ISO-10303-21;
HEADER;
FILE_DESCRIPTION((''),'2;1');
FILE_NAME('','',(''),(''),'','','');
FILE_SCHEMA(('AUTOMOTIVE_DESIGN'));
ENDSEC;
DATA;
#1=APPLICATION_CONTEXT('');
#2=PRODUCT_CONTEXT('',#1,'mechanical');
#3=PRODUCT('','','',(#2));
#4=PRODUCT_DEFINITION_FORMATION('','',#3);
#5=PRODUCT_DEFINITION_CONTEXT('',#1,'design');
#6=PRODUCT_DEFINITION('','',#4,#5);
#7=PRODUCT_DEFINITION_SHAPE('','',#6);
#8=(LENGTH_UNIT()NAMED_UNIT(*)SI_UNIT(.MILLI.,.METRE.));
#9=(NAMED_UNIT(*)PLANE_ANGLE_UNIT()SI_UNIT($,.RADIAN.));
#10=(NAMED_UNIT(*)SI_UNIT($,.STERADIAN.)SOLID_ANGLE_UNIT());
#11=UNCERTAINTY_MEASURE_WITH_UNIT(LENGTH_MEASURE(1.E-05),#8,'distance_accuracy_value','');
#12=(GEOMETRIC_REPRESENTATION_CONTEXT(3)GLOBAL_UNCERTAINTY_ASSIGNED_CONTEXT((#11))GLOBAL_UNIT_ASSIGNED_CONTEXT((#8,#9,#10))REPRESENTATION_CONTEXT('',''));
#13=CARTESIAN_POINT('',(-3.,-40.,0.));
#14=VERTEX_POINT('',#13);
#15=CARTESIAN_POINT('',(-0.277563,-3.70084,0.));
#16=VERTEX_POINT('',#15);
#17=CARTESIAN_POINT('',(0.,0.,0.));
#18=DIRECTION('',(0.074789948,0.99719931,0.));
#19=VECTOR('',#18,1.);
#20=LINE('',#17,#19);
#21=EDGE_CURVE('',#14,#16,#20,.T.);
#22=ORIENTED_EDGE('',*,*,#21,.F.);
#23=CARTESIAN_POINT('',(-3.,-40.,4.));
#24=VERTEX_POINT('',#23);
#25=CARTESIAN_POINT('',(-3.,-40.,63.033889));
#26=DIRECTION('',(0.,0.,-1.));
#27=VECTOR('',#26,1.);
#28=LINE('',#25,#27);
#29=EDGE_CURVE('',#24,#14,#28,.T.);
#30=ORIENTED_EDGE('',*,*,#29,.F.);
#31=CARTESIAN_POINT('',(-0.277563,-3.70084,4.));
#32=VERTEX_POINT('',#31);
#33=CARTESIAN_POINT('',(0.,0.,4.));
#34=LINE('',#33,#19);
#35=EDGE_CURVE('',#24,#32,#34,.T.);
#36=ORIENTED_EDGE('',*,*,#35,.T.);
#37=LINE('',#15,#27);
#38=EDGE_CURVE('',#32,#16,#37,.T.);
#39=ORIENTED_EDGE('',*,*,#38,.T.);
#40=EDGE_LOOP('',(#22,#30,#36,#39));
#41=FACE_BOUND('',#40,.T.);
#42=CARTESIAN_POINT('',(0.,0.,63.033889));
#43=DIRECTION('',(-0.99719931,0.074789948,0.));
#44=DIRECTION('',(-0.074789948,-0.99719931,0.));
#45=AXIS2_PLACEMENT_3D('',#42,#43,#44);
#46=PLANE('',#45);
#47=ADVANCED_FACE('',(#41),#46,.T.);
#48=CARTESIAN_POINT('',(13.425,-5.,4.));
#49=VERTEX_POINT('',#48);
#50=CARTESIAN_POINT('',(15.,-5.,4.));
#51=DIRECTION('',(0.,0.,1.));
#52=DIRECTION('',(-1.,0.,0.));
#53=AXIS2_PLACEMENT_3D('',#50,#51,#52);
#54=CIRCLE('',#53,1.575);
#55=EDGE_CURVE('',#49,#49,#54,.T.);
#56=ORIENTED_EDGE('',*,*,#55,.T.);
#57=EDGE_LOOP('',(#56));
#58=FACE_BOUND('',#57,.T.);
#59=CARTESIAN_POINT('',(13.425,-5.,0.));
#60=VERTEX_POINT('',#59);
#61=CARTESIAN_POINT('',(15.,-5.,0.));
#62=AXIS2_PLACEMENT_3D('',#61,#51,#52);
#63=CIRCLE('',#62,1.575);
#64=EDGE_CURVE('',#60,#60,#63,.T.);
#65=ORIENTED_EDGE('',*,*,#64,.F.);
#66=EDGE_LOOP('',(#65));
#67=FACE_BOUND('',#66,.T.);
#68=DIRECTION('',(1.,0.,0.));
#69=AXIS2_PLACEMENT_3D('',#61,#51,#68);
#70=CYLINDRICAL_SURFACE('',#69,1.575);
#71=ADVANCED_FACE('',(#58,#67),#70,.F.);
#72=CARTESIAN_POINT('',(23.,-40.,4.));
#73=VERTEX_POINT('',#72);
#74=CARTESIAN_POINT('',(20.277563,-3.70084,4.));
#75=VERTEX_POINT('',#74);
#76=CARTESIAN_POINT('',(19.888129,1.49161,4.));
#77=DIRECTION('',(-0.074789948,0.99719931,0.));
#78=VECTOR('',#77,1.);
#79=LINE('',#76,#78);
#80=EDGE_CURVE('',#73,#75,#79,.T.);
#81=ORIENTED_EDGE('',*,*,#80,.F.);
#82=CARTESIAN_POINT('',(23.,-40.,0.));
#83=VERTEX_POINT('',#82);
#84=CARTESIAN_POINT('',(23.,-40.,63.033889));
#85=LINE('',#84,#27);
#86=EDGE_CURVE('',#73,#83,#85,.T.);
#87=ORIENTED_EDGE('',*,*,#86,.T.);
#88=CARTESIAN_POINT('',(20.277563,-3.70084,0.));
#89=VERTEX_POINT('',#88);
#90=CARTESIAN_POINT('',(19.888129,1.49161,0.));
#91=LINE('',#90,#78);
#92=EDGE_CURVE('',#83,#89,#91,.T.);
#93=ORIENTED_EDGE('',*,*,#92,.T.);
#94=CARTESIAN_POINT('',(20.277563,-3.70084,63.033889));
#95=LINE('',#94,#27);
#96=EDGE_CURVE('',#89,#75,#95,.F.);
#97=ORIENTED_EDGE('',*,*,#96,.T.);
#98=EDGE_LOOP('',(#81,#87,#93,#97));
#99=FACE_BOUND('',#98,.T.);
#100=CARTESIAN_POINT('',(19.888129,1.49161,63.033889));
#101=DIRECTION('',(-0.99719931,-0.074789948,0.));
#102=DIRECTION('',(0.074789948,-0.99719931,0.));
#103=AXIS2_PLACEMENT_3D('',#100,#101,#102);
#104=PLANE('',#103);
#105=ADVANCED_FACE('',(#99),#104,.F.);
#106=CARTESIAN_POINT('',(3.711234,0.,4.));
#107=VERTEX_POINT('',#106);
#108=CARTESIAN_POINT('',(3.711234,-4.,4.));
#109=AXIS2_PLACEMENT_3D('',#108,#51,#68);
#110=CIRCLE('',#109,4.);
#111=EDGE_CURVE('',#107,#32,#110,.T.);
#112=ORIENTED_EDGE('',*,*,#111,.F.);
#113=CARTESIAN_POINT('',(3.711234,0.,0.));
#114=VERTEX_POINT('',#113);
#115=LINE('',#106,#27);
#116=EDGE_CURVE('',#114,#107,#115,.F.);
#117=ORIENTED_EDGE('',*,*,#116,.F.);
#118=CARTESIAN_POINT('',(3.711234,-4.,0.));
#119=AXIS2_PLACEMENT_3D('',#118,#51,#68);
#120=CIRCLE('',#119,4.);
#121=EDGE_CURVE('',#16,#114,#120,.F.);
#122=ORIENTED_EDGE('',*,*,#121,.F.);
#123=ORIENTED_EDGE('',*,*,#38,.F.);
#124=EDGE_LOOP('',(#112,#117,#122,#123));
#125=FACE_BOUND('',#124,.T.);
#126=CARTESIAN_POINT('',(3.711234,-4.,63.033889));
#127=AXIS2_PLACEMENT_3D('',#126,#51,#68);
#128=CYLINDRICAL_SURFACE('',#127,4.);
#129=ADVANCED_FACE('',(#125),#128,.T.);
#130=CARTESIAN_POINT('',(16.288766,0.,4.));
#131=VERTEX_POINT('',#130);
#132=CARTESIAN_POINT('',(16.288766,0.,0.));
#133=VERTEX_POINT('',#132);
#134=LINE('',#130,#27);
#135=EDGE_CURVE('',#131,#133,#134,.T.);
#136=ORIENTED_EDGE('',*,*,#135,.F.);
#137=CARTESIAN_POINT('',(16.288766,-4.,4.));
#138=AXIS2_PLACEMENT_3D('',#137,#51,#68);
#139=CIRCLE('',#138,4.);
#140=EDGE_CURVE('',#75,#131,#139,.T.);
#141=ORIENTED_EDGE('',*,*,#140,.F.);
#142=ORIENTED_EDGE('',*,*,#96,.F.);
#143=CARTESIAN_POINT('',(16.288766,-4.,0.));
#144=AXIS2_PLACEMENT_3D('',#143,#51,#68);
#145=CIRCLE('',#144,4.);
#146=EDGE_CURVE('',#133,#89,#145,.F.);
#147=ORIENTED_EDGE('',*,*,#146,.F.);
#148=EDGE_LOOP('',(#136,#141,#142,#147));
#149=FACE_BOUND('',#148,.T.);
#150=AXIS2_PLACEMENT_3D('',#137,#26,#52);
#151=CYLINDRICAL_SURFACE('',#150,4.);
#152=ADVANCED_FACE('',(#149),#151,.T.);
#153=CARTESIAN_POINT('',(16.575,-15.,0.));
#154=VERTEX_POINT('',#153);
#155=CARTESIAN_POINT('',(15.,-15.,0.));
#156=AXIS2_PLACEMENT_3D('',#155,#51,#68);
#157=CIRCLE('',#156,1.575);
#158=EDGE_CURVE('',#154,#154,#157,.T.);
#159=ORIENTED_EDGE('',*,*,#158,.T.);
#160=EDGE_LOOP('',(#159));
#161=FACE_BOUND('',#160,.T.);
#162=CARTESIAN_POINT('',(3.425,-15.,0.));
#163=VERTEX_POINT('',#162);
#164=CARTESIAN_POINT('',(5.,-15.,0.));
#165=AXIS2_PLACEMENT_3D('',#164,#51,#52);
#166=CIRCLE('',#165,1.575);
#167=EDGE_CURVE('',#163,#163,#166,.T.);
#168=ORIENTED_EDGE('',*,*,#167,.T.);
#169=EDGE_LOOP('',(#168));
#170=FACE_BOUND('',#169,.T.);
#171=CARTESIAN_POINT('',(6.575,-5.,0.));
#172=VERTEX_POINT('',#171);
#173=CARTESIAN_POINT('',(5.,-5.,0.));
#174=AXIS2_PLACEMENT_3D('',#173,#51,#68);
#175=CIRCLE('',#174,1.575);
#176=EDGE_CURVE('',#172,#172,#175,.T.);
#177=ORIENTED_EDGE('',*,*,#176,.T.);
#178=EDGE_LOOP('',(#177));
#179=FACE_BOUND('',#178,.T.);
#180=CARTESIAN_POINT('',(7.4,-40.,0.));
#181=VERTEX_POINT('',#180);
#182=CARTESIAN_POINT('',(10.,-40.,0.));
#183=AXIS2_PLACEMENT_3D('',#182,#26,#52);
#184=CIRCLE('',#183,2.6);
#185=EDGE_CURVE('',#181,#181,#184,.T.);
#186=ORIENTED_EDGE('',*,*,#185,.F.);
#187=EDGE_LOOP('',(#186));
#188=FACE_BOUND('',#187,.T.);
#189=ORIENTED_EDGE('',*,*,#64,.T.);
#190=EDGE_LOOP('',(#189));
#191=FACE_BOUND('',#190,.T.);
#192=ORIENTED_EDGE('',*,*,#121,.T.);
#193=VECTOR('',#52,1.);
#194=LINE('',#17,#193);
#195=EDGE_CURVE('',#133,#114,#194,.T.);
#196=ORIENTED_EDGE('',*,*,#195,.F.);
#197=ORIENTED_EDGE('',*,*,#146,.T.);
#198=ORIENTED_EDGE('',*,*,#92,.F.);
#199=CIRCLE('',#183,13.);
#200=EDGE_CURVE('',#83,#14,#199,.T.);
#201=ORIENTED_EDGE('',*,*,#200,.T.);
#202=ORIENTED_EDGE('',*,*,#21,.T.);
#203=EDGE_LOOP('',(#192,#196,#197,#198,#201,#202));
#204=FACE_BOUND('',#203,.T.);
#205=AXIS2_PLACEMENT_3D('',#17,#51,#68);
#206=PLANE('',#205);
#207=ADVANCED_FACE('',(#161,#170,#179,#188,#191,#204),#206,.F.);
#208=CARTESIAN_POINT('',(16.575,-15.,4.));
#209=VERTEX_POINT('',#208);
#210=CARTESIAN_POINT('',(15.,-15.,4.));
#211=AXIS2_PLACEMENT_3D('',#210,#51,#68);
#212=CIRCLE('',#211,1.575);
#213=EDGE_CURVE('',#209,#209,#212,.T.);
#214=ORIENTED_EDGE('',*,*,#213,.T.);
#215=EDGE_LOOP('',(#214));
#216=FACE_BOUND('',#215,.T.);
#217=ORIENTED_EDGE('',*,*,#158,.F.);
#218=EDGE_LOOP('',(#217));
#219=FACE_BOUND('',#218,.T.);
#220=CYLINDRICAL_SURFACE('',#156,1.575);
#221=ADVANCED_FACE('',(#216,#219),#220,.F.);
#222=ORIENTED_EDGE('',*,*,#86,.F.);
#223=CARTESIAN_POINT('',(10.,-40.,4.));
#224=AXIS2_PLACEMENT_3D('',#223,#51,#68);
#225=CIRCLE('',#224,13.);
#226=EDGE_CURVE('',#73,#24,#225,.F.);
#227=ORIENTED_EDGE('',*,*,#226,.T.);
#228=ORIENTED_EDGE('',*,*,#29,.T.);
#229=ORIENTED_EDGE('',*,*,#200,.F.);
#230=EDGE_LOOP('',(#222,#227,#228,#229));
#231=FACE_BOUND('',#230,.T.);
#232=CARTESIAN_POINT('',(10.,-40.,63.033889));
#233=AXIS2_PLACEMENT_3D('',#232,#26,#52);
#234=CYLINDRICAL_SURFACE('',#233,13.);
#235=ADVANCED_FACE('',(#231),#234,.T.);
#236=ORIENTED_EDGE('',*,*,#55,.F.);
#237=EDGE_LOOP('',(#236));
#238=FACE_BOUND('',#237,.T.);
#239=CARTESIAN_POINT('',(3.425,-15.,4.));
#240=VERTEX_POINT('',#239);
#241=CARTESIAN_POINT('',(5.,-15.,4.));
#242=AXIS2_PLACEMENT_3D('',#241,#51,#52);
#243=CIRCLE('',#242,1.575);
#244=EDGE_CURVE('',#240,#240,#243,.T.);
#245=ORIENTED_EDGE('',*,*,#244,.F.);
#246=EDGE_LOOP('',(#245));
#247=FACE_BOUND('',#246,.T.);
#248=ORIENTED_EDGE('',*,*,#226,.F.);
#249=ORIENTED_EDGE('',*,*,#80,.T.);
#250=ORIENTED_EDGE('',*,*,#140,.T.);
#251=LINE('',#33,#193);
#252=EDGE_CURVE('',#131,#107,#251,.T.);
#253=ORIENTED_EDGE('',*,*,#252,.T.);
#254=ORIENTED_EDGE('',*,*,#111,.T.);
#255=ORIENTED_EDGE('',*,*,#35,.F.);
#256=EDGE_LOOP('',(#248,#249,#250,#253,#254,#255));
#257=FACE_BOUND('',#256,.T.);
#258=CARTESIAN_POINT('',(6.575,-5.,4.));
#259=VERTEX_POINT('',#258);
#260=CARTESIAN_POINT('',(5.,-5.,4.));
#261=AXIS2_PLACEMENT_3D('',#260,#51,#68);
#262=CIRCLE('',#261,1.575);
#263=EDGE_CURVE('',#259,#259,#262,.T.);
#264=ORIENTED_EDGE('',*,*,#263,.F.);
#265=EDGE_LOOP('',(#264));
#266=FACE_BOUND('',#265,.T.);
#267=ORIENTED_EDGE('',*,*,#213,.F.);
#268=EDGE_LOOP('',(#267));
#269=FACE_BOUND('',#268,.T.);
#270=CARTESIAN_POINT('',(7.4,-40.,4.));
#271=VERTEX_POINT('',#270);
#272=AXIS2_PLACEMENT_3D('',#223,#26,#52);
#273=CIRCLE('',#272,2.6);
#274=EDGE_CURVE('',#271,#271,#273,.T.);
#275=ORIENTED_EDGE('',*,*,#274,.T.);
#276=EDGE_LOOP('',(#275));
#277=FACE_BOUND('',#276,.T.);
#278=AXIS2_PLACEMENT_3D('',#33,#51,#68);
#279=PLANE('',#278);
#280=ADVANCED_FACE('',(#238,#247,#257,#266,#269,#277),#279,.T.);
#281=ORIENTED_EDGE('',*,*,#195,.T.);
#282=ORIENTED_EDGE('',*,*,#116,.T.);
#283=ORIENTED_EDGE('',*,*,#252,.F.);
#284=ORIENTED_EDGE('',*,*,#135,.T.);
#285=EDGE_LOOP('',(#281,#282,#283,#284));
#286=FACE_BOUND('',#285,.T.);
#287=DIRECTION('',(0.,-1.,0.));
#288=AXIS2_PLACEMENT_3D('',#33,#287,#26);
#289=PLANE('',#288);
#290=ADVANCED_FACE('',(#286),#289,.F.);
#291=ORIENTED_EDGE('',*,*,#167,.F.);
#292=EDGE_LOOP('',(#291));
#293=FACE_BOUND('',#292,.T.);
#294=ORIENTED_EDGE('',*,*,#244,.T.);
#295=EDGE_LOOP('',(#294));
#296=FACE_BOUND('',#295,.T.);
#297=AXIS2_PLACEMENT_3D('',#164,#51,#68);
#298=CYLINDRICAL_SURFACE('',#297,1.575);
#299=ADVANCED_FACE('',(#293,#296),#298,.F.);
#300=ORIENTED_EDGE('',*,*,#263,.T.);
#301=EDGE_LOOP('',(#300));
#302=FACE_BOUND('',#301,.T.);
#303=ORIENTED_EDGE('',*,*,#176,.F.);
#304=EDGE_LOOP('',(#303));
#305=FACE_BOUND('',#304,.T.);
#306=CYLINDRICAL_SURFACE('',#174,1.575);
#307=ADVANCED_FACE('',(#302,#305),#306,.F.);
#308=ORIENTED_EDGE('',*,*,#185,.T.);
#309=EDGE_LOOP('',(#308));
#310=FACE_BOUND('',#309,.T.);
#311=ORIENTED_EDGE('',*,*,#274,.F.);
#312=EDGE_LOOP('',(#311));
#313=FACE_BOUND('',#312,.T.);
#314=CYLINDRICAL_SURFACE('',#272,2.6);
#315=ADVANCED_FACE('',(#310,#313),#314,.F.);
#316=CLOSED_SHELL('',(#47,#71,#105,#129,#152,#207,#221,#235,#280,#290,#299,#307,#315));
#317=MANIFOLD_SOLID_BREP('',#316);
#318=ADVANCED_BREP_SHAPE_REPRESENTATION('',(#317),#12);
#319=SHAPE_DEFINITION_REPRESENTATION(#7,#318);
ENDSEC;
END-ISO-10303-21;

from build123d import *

# Parameters (mm, degrees)
SKETCH_1_W          = 20
SKETCH_1_H          = 40
EXTRUDE_1_DEPTH     = 4
SKETCH_5_R          = 1.575
CUT_EXTRUDE_2_DEPTH = 45.899888641
EXTRUDE_2_DEPTH     = 4
SKETCH_11_R         = 2.6
CUT_EXTRUDE_3_DEPTH = 58.913728942
FILLET_1_R          = 4


with BuildPart() as part:
    # 草图1 → 凸台-拉伸1 (new body)
    with BuildSketch(Plane.XY):
        with Locations((10, -20)):
            Rectangle(SKETCH_1_W, SKETCH_1_H)
    extrude(amount=EXTRUDE_1_DEPTH)

    # 草图5 → 切除-拉伸2 (cut, through all)
    with BuildSketch(Plane.XY.offset(4)):
        with Locations((5, -5)):
            Circle(SKETCH_5_R)
        with Locations(Location((15, -5, 0), (0, 0, 180))):
            Circle(SKETCH_5_R)
        with Locations((15, -15)):
            Circle(SKETCH_5_R)
        with Locations(Location((5, -15, 0), (0, 0, 180))):
            Circle(SKETCH_5_R)
    extrude(amount=-CUT_EXTRUDE_2_DEPTH, mode=Mode.SUBTRACT)

    # 草图10 → 凸台-拉伸2 (add)
    with BuildSketch(Plane(origin=(0, 0, 0), x_dir=(-1, 0, 0), z_dir=(0, 0, -1))):
        Polygon((-23, -40), (-20, 0), (-20, -40), align=None)
        Polygon((0, -40), (3, -40), (0, 0), align=None)
        with BuildLine():
            Line((0, -40), (-20, -40))
            Line((-20, -40), (-23, -40))
            ThreePointArc((-23, -40), (-10, -53), (3, -40))
            Line((3, -40), (0, -40))
        make_face()
    extrude(amount=-EXTRUDE_2_DEPTH)

    # 草图11 → 切除-拉伸3 (cut, through all)
    with BuildSketch(Plane(origin=(0, 0, 0), x_dir=(-1, 0, 0), z_dir=(0, 0, -1))):
        with Locations((-10, -40)):
            Circle(SKETCH_11_R)
    extrude(amount=-CUT_EXTRUDE_3_DEPTH, mode=Mode.SUBTRACT)

    # 圆角1
    fillet_1_edges = [part.edges().sort_by_distance(p)[0] for p in [
        (0, 0, 2),
        (20, 0, 2),
    ]]
    fillet(fillet_1_edges, radius=FILLET_1_R)


solid = part.part
